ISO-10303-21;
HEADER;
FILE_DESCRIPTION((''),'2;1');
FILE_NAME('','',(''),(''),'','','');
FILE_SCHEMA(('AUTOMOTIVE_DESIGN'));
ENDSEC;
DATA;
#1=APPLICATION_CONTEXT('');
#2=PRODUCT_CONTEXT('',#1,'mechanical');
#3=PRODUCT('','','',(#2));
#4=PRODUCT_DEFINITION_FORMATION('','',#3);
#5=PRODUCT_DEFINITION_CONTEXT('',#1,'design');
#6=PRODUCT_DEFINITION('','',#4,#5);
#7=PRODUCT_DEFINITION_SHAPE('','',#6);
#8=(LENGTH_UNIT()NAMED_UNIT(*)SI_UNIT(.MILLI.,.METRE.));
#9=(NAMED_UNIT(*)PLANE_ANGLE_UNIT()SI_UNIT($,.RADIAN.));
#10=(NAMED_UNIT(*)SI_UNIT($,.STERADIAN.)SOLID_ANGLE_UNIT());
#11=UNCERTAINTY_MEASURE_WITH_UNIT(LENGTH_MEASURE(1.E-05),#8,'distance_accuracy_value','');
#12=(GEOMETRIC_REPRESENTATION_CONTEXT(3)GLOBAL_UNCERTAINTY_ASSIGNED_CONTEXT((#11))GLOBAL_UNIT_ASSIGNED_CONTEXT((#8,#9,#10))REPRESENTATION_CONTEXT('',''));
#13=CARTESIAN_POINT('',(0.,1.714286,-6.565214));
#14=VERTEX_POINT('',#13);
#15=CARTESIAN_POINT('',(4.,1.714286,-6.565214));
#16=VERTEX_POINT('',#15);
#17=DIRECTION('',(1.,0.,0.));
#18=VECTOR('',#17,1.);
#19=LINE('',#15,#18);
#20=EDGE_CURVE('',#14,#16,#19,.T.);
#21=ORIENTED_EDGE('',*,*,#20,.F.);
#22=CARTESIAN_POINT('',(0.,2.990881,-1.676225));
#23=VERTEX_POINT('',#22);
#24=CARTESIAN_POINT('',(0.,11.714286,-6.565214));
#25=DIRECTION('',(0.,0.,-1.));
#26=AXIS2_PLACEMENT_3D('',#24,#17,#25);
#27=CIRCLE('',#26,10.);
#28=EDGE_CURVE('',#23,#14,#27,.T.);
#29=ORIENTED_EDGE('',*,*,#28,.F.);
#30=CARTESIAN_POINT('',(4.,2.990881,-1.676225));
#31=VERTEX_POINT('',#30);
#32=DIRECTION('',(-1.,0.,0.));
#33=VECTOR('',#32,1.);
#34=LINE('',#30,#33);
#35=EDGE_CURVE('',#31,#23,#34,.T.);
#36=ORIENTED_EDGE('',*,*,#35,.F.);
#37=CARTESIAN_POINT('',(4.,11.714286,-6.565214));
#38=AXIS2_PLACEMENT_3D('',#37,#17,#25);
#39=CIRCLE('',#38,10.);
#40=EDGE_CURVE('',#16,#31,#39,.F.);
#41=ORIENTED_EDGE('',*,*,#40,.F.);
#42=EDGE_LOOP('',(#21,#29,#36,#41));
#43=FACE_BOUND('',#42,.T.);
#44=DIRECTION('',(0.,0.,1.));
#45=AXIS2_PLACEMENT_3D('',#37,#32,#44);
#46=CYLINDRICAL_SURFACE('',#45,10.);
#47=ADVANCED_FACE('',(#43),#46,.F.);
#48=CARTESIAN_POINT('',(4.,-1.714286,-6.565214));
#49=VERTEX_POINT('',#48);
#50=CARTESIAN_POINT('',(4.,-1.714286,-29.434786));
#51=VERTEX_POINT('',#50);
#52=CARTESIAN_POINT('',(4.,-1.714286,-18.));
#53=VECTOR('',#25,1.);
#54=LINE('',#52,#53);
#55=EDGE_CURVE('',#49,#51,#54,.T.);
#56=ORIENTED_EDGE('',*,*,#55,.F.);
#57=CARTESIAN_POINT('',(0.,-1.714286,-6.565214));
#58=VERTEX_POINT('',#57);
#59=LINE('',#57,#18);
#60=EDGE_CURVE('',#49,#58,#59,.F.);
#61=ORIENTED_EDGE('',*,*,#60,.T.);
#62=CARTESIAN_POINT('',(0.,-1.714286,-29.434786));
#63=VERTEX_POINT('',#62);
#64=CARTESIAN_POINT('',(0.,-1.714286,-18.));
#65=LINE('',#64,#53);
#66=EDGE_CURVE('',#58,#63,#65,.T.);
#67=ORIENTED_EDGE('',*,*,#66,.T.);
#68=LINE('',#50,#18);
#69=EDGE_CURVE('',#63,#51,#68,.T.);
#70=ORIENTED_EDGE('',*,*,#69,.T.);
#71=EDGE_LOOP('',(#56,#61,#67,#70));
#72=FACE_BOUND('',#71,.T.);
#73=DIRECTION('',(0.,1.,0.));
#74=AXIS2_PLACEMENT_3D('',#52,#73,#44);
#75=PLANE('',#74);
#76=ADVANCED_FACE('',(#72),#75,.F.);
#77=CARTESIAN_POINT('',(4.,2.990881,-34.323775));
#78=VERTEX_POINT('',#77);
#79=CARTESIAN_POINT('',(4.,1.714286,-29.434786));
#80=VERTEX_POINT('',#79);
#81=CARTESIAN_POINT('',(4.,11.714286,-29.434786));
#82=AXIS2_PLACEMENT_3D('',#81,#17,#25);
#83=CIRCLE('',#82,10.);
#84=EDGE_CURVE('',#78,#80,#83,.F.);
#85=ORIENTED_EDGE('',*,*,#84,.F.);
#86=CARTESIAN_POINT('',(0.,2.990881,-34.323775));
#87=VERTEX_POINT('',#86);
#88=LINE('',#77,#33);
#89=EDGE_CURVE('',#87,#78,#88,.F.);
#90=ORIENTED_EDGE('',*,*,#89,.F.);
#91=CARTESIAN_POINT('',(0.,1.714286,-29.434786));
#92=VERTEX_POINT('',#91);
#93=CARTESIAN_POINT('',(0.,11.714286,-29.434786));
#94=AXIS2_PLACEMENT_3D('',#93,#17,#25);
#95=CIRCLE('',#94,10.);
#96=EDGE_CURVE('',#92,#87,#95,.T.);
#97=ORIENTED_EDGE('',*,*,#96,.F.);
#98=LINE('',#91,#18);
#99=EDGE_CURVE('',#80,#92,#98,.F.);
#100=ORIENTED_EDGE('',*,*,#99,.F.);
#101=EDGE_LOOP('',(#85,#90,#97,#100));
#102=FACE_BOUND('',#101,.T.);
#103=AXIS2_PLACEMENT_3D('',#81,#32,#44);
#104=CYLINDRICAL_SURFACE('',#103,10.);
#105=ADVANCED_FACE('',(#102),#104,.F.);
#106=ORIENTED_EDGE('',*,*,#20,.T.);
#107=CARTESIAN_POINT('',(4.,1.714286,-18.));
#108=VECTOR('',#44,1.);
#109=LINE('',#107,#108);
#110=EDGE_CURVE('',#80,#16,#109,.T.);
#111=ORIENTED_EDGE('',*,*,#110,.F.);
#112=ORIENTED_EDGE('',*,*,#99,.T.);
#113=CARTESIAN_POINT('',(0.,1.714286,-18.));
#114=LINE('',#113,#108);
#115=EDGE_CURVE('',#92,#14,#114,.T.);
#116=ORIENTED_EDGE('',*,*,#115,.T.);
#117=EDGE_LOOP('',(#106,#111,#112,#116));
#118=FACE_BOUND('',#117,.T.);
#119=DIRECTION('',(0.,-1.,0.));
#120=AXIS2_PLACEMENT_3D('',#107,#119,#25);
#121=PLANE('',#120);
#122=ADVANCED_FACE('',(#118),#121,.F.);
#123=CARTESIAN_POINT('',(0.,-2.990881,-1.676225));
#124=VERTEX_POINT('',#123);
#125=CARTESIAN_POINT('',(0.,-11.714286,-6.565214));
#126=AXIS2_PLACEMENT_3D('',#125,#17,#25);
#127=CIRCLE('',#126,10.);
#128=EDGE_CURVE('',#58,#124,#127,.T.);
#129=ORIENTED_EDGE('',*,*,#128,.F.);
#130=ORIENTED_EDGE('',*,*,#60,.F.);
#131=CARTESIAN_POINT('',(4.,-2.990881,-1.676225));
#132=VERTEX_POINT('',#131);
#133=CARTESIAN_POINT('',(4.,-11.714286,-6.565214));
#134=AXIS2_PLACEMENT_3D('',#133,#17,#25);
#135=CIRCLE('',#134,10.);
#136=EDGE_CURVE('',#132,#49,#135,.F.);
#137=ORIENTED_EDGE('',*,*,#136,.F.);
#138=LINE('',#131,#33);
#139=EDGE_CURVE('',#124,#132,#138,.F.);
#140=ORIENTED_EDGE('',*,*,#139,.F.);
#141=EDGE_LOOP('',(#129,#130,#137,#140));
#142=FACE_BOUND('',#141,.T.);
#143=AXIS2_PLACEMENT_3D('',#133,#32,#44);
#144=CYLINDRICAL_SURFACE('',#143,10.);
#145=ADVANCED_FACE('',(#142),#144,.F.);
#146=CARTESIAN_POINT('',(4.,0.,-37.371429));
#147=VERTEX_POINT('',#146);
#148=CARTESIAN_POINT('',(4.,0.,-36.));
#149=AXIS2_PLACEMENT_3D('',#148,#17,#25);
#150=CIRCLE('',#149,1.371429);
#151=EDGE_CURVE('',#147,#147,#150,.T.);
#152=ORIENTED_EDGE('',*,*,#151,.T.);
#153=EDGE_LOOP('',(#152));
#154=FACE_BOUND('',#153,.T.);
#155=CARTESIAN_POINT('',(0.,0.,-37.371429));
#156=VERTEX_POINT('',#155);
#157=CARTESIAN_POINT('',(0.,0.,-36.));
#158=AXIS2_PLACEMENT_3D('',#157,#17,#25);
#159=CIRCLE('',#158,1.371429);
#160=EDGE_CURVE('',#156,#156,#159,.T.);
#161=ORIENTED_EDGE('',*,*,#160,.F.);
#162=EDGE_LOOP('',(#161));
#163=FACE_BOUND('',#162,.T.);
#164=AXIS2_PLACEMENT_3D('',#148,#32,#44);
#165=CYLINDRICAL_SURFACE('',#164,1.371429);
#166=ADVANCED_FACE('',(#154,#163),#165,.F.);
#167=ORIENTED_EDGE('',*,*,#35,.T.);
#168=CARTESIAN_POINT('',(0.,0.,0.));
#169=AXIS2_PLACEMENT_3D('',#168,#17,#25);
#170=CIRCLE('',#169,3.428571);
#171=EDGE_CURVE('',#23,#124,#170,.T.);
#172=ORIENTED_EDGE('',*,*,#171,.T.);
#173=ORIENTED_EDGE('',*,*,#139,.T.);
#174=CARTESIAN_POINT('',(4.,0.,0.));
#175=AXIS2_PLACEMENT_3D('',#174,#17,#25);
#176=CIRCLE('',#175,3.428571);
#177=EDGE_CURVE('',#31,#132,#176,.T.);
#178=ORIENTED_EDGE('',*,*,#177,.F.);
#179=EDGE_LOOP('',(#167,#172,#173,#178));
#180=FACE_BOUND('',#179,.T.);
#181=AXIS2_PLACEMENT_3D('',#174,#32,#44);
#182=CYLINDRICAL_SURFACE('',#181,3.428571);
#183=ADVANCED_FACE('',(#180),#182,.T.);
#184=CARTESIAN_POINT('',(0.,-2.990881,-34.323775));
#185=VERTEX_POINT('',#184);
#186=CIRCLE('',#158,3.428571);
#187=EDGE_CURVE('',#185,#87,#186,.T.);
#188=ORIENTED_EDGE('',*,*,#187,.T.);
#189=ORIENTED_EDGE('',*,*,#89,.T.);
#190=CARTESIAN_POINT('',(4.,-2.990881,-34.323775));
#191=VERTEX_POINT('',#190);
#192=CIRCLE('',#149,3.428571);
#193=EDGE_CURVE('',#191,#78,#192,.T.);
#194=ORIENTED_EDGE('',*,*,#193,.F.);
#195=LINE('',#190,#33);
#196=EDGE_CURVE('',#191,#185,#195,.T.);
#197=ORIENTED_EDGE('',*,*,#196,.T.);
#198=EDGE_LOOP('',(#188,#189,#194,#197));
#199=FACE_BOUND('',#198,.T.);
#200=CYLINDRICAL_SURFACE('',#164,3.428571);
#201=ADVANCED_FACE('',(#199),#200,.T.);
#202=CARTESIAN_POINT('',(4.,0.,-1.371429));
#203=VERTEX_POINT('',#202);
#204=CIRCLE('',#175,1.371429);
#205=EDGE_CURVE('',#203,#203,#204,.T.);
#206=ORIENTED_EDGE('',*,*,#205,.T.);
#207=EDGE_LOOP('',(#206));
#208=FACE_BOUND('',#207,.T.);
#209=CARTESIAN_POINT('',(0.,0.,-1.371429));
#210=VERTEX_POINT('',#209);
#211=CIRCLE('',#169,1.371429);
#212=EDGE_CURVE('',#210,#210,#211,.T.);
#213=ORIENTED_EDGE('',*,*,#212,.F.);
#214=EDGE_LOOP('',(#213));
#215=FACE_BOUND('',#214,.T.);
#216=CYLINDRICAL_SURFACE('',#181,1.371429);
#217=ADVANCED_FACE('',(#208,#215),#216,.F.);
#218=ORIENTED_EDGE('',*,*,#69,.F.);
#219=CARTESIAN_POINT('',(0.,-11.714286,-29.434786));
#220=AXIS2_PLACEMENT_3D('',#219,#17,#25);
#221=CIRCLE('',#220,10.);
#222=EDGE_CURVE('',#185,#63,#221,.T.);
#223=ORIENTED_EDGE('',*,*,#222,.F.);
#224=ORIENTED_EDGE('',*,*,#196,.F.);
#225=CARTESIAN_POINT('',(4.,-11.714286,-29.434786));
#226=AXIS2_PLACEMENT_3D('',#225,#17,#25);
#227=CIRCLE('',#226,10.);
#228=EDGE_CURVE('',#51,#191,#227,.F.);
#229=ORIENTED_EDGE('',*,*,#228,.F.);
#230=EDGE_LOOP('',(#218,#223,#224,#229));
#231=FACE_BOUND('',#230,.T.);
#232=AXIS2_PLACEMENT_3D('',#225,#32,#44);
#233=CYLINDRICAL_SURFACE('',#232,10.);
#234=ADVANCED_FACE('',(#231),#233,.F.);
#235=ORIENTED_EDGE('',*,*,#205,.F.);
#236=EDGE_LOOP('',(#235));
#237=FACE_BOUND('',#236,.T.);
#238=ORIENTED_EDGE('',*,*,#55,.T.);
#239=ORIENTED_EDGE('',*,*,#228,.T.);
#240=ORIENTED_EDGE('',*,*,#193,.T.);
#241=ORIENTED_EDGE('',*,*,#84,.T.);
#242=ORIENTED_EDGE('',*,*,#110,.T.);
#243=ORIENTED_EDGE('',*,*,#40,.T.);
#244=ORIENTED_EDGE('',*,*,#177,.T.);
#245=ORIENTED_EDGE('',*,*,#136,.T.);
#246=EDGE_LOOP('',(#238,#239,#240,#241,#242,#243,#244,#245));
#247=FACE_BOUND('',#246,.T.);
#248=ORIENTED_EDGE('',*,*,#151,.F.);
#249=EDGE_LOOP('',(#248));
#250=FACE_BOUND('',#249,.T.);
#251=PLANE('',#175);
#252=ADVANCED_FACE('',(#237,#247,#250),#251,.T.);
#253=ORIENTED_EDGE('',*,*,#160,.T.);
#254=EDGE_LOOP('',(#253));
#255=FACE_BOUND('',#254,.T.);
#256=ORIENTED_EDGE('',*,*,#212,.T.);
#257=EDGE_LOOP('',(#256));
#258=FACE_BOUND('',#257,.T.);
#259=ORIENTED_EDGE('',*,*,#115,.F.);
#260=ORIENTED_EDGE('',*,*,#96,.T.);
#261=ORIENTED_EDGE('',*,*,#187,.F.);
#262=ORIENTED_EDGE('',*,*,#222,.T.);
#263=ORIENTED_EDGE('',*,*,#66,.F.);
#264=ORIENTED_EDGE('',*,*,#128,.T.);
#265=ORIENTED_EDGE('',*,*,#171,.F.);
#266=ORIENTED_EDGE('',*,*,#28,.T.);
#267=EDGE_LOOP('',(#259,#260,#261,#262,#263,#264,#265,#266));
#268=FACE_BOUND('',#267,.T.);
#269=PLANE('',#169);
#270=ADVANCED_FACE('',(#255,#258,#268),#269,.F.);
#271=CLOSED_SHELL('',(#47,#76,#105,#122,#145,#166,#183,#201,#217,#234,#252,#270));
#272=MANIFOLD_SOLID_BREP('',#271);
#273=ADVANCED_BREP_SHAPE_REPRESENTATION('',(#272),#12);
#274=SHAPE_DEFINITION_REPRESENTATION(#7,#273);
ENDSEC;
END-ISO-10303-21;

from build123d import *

# Parameters (mm, degrees)
SKETCH1_R           = 1.371428571
BOSS_EXTRUDE1_DEPTH = 4
FILLET1_R           = 10


with BuildPart() as part:
    # Sketch1 → Boss-Extrude1 (new body)
    with BuildSketch(Plane(origin=(0, 0, 0), x_dir=(0, 0, -1), z_dir=(1, 0, 0))):
        with BuildLine():
            Line((18, 1.714285714), (33.030770044, 1.714285714))
            ThreePointArc((33.030770044, 1.714285714), (39.428571429, 0), (33.030770044, -1.714285714))
            Line((33.030770044, -1.714285714), (18, -1.714285714))
            Line((18, -1.714285714), (2.969229956, -1.714285714))
            ThreePointArc((2.969229956, -1.714285714), (-3.428571429, 0), (2.969229956, 1.714285714))
            Line((2.969229956, 1.714285714), (18, 1.714285714))
        make_face()
        Circle(SKETCH1_R, mode=Mode.SUBTRACT)
        with Locations((36, 0)):
            Circle(SKETCH1_R, mode=Mode.SUBTRACT)
    extrude(amount=BOSS_EXTRUDE1_DEPTH)

    # Fillet1
    fillet1_edges = [part.edges().sort_by_distance(p)[0] for p in [
        (2, 1.714285714, -33.030770044),
        (2, -1.714285714, -33.030770044),
        (2, -1.714285714, -2.969229956),
        (2, 1.714285714, -2.969229956),
    ]]
    fillet(fillet1_edges, radius=FILLET1_R)


solid = part.part
